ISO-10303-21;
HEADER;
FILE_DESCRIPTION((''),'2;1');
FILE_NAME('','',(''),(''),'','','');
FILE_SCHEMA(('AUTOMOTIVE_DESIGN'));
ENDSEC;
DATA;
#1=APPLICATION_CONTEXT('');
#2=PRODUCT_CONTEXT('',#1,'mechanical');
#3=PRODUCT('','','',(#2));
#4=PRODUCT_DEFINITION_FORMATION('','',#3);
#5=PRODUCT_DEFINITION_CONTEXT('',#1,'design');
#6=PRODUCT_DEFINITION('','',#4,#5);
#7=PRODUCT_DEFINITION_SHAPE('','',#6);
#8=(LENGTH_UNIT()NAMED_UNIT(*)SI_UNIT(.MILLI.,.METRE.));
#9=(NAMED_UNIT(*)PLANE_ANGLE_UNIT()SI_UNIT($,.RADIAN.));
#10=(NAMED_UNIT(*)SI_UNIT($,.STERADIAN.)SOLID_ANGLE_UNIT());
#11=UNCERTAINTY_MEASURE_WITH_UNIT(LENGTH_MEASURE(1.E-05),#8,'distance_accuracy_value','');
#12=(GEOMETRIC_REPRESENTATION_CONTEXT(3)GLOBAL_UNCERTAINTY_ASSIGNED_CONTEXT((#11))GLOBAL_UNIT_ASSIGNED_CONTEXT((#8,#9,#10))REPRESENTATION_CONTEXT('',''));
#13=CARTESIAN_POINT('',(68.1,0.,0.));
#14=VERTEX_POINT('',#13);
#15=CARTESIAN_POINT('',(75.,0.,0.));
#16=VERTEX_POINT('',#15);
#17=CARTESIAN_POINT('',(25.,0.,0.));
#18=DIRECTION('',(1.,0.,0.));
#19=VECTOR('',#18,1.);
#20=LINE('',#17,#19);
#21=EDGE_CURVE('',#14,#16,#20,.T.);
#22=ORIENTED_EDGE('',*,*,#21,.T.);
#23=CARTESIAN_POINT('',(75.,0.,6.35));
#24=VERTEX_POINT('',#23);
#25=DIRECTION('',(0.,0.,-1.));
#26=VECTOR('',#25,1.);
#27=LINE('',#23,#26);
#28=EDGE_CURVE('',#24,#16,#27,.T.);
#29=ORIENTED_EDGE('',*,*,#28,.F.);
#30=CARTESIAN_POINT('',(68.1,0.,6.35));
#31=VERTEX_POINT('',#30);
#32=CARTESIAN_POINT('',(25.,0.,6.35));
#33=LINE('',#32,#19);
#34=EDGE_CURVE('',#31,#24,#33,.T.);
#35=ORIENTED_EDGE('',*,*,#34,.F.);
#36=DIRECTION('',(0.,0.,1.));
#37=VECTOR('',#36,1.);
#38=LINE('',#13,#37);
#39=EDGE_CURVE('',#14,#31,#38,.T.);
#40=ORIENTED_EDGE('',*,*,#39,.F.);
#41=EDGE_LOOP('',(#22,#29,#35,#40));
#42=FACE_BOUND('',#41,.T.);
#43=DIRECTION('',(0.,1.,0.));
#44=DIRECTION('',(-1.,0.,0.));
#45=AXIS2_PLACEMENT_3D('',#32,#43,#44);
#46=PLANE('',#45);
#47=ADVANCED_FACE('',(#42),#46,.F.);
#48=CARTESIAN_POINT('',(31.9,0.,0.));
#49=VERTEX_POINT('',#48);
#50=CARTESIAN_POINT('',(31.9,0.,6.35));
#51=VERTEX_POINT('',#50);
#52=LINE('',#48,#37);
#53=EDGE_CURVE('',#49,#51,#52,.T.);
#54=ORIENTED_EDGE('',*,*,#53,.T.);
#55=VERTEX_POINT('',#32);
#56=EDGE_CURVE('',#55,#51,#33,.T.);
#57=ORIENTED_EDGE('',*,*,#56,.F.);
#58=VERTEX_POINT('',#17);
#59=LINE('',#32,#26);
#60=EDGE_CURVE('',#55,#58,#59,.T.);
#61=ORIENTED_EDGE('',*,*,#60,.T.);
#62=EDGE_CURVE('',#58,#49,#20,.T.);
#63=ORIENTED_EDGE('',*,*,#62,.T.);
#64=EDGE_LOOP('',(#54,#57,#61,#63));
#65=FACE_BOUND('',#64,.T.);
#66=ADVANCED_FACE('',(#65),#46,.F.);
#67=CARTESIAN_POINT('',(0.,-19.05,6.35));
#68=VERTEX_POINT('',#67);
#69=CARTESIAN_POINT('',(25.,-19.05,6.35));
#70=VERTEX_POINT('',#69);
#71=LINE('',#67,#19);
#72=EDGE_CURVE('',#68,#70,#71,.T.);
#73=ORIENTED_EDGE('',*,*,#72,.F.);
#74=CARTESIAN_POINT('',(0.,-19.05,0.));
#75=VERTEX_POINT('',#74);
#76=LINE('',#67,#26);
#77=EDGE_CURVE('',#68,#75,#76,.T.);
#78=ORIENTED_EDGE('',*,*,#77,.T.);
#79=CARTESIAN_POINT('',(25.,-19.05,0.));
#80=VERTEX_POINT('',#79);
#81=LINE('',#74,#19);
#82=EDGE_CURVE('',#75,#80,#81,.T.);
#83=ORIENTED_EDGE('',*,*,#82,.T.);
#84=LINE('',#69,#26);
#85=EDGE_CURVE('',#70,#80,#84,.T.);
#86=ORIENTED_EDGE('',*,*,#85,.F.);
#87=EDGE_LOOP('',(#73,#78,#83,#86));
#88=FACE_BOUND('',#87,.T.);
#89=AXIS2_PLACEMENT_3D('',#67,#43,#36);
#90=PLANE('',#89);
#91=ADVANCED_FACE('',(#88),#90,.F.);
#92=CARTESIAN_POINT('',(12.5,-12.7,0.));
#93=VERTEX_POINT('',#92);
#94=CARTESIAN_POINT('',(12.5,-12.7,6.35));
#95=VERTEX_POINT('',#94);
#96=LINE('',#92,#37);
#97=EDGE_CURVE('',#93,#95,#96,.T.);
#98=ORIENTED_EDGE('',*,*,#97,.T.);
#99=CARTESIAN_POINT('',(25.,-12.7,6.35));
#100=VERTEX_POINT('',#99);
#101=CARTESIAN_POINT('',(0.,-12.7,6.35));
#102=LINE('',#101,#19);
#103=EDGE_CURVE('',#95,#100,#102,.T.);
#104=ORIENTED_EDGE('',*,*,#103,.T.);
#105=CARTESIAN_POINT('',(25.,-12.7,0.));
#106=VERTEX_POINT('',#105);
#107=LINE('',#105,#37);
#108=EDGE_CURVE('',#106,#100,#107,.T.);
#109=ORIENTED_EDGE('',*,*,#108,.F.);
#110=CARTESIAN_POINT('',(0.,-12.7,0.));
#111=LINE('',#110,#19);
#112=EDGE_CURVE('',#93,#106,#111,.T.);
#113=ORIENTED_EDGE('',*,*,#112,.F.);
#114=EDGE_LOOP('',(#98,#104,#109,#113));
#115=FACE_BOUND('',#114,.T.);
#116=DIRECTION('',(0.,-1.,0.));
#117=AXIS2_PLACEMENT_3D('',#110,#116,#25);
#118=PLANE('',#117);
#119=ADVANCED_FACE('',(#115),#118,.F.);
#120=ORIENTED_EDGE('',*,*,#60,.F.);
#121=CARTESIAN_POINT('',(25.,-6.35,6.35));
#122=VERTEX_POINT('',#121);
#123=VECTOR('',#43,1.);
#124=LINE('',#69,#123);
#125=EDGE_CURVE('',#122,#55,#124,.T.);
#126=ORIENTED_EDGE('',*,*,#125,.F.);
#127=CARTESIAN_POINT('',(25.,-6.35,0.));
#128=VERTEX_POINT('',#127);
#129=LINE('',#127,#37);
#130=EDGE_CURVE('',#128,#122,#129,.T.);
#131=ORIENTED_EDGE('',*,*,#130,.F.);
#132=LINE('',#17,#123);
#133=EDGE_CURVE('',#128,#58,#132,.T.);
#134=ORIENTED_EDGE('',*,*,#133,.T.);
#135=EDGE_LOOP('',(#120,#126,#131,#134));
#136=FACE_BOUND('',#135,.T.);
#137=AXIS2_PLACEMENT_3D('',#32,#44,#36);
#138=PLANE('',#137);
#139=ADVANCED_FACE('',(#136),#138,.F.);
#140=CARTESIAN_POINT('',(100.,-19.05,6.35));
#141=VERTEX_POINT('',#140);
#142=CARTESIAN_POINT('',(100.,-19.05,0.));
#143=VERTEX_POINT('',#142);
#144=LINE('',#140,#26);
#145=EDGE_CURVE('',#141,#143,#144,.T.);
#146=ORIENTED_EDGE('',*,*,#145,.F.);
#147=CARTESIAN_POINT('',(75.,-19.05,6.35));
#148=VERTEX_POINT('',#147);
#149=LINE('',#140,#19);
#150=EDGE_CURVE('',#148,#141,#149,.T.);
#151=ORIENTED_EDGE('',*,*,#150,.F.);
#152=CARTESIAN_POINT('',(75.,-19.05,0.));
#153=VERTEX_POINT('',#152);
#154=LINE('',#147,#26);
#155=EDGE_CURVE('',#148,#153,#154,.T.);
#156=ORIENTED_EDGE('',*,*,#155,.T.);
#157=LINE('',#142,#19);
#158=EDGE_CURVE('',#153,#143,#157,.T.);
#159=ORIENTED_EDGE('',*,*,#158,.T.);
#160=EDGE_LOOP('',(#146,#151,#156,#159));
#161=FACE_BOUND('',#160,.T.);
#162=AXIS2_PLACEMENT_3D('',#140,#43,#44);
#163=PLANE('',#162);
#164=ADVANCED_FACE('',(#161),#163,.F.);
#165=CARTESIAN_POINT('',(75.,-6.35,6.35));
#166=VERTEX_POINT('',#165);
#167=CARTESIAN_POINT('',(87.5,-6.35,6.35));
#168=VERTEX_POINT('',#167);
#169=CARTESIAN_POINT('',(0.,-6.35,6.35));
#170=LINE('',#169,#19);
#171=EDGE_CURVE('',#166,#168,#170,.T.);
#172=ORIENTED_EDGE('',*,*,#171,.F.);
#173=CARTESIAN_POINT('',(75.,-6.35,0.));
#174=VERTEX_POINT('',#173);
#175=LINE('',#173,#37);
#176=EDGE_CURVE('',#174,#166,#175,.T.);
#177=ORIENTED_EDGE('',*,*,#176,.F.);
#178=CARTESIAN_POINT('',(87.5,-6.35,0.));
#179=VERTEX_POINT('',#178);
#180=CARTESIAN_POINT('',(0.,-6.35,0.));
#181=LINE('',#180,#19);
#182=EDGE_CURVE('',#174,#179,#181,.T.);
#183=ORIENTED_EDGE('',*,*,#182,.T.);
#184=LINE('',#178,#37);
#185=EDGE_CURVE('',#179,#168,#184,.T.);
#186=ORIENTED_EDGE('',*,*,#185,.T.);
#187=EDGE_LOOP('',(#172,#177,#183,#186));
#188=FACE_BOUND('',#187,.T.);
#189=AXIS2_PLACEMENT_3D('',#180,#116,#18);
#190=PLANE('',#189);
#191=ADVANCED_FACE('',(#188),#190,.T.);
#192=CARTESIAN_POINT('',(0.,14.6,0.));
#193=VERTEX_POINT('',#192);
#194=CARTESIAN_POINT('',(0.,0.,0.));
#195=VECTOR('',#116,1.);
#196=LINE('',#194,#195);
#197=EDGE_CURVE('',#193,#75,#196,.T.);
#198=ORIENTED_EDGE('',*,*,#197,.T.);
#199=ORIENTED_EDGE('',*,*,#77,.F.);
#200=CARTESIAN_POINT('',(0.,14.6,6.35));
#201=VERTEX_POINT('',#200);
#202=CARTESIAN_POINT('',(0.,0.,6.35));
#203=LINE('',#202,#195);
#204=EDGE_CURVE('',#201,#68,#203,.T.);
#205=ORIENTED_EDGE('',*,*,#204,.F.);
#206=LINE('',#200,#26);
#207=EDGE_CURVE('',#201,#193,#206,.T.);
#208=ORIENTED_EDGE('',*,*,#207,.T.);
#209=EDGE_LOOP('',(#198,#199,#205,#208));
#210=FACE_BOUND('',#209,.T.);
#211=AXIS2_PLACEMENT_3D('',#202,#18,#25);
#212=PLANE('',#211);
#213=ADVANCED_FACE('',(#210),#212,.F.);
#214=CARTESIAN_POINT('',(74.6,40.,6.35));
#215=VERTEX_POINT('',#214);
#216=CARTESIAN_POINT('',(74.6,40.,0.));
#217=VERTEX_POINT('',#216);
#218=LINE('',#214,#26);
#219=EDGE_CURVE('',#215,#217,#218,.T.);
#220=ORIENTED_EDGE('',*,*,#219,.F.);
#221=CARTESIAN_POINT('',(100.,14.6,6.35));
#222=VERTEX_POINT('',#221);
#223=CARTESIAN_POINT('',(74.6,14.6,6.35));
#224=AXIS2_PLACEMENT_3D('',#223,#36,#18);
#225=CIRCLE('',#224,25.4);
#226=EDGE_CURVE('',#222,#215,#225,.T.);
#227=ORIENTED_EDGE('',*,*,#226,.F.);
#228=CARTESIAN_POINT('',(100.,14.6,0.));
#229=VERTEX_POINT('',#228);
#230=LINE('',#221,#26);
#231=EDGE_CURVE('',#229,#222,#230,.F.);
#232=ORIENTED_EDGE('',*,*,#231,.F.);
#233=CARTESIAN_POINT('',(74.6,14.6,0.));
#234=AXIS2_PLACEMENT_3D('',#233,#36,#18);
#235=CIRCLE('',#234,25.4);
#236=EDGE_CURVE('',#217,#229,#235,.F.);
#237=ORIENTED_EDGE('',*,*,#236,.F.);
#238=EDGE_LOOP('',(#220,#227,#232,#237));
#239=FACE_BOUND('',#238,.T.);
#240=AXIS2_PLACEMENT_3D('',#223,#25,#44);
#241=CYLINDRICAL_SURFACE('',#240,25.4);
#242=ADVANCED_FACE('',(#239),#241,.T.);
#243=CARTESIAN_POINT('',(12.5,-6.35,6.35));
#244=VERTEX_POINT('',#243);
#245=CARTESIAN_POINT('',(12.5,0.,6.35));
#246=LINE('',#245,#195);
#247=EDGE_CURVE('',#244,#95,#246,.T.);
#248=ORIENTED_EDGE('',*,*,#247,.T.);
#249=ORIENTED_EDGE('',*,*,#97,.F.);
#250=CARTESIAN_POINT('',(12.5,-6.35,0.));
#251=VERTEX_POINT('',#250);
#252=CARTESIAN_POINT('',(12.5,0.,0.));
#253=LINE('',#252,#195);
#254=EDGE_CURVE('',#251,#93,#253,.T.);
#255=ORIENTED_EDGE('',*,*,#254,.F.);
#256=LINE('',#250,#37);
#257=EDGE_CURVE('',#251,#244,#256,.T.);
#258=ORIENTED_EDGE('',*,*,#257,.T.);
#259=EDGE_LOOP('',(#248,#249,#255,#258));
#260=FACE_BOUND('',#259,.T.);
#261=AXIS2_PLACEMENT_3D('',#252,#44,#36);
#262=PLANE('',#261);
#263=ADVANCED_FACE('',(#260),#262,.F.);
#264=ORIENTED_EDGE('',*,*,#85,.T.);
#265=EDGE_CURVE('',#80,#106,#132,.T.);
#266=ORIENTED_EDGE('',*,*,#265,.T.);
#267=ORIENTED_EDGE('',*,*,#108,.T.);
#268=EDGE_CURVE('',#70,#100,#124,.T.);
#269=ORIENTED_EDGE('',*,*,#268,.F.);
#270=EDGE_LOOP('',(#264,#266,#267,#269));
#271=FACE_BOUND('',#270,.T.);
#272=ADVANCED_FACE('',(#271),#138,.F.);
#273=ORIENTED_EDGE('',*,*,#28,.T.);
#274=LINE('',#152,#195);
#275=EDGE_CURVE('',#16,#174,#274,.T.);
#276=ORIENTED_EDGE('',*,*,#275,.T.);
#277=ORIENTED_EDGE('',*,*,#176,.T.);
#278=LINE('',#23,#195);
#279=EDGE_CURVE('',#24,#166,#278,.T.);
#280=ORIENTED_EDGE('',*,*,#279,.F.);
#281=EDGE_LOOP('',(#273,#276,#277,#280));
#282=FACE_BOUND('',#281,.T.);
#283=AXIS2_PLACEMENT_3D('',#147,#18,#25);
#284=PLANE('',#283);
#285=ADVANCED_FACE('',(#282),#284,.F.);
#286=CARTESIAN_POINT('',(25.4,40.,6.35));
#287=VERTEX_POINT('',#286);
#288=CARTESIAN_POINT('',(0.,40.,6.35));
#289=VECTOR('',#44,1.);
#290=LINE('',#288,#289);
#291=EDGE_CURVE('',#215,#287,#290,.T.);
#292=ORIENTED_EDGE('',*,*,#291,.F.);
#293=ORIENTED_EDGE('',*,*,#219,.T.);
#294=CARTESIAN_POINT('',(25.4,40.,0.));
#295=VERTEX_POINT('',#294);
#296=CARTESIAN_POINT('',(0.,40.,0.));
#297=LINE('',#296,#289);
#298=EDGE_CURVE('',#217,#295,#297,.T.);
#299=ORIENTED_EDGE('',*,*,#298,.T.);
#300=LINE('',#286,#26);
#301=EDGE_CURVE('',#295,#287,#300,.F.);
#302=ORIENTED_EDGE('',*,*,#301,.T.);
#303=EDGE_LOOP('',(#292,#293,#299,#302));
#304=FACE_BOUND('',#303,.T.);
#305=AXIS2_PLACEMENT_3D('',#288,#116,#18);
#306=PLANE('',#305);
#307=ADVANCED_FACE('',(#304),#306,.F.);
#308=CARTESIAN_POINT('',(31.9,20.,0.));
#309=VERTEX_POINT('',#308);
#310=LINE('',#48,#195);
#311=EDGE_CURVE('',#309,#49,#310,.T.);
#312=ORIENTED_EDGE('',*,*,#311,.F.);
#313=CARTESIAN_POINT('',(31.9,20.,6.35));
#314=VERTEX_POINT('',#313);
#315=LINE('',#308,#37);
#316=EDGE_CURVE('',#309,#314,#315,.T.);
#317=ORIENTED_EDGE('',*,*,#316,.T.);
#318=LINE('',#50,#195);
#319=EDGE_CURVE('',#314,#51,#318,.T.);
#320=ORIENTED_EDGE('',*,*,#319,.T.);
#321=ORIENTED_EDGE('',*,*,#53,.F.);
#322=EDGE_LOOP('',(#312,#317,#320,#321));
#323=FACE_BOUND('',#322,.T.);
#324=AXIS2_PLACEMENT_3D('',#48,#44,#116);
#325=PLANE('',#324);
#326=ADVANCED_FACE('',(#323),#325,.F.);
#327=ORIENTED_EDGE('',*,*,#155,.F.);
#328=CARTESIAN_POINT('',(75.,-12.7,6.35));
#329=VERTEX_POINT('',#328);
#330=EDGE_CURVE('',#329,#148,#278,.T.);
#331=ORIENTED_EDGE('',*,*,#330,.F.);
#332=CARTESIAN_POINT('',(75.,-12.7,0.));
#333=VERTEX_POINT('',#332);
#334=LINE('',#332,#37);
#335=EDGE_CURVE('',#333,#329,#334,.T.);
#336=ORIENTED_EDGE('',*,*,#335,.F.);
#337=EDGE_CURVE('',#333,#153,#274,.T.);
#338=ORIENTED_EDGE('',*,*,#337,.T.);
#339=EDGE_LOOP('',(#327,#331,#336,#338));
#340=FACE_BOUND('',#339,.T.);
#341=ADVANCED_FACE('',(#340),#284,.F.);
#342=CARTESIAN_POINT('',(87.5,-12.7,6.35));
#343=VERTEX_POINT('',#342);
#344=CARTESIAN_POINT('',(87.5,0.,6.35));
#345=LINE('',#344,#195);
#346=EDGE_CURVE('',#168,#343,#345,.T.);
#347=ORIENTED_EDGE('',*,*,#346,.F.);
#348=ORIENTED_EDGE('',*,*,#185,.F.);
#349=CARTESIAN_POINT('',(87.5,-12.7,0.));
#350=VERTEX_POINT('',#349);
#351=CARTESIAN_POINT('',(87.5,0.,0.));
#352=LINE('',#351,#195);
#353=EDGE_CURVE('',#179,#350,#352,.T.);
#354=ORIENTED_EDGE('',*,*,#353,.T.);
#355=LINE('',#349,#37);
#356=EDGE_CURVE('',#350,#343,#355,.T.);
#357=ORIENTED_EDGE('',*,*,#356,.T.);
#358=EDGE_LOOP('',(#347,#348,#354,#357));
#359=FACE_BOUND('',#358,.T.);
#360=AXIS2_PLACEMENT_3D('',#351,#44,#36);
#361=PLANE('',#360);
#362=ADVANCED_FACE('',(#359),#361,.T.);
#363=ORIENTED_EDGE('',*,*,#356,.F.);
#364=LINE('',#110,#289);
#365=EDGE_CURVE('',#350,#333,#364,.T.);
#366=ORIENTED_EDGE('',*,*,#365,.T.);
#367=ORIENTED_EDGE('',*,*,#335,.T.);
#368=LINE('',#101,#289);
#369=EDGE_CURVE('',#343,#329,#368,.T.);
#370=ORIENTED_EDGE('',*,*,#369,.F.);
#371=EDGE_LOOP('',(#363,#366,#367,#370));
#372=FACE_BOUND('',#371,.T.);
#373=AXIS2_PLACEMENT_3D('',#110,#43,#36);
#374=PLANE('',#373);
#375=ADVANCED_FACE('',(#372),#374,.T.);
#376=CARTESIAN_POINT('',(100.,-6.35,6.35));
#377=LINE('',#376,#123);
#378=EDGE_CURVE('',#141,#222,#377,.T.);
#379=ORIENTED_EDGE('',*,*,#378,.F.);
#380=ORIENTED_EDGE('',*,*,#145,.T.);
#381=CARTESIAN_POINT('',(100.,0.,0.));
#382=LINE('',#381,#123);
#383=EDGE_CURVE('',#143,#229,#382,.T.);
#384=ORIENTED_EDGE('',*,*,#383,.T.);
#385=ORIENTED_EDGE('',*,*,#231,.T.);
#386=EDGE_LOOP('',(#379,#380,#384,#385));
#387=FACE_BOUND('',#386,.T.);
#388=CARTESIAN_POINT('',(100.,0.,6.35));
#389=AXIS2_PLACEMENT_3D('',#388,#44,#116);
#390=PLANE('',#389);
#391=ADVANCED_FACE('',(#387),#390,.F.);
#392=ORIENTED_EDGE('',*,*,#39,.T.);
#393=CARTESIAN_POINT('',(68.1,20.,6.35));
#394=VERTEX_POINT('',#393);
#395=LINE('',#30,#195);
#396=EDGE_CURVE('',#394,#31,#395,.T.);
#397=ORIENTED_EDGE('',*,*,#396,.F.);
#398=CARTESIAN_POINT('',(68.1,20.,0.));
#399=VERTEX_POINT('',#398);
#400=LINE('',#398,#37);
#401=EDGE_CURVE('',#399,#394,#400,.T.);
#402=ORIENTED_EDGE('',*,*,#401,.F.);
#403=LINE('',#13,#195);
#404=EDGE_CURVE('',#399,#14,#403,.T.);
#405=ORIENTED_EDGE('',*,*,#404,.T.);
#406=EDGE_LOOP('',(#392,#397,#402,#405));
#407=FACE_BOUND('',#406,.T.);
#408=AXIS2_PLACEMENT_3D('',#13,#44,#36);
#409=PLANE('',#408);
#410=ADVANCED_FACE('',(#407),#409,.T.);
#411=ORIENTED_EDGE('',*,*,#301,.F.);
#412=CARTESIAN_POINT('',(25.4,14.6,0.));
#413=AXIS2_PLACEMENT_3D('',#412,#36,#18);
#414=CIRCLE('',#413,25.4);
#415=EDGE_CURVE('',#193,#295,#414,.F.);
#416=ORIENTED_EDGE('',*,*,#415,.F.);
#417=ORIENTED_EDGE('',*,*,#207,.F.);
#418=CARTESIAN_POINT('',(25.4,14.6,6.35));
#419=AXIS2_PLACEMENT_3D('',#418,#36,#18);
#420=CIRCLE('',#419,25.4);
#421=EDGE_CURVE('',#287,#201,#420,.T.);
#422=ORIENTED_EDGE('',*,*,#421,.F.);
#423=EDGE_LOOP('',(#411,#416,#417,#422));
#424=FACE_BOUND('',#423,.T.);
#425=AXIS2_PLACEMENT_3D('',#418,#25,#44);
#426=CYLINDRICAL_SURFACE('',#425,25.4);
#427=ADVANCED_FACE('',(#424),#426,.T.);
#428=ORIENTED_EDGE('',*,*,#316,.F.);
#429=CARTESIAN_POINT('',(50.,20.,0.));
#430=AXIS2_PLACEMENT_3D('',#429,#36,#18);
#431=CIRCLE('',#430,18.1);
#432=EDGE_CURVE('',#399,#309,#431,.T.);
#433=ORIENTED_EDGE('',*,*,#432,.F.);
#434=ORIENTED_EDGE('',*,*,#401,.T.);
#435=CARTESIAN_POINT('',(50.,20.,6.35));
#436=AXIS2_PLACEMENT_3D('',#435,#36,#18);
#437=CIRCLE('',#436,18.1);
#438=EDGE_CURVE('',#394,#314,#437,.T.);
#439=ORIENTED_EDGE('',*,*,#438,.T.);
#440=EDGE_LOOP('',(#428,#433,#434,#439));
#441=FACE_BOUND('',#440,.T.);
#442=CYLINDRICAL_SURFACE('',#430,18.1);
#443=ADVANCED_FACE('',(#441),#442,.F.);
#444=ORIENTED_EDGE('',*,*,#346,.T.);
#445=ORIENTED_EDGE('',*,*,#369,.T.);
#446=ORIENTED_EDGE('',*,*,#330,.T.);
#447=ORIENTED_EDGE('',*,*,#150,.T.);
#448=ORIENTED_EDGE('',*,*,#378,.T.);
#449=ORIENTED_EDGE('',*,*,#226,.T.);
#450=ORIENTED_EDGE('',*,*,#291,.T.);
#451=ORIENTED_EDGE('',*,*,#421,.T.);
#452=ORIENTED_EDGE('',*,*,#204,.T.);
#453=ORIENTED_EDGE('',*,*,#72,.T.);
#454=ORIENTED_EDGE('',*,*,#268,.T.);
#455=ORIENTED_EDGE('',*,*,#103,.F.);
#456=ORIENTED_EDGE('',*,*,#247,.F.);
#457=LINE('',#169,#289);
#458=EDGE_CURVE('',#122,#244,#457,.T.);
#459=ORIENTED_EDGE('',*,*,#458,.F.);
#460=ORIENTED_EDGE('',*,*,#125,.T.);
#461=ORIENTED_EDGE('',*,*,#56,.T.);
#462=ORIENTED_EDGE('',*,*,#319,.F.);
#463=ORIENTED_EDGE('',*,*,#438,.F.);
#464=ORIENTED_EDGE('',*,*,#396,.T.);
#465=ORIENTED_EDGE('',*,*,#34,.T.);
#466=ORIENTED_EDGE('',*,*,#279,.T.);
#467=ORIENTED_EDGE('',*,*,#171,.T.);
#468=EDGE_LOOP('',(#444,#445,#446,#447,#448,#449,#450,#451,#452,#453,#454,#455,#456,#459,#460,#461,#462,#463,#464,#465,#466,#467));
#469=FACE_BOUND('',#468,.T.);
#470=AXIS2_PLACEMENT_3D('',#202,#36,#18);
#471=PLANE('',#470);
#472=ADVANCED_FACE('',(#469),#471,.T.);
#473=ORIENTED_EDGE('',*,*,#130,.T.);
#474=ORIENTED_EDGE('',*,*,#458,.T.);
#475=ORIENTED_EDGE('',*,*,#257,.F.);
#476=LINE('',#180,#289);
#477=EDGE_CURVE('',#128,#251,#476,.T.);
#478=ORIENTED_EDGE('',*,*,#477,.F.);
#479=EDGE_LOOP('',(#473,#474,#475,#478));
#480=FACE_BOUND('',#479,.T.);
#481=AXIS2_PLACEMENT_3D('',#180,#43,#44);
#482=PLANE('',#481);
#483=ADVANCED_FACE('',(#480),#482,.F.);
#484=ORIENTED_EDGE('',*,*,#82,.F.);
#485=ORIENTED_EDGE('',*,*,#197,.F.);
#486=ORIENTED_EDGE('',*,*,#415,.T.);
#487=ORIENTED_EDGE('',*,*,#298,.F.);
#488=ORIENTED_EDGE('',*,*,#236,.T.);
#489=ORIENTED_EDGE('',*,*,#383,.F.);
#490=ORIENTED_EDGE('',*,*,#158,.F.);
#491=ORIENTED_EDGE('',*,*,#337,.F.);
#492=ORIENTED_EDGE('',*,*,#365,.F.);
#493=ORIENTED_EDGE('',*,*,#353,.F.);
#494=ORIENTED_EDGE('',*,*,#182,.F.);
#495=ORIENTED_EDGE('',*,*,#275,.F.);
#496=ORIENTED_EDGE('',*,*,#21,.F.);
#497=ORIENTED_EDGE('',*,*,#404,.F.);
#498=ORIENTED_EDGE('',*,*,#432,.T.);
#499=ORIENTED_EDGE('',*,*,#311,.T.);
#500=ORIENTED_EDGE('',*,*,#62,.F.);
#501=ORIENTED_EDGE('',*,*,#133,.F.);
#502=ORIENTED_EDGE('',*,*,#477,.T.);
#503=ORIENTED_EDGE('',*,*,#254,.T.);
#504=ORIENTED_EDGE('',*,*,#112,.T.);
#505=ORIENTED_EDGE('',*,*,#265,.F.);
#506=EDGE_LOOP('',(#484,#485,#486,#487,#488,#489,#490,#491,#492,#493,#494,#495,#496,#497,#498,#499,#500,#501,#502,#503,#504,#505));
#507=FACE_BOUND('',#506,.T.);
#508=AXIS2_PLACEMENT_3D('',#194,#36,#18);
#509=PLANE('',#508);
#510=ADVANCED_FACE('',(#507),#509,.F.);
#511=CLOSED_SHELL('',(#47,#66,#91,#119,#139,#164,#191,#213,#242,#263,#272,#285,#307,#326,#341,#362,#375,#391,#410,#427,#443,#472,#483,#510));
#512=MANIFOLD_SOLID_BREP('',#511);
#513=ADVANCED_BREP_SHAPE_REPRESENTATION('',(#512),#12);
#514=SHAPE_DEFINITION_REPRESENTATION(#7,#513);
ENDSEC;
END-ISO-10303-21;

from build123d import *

# Parameters (mm, degrees)
BOSS_EXTRUDE1_DEPTH     = 6.35
CUT_EXTRUDE1_DEPTH      = 108.890326167
CUT_EXTRUDE1_DEPTH_BACK = 108.890326167
FILLET1_R               = 25.4
CUT_EXTRUDE2_DEPTH      = 108.890326167
CUT_EXTRUDE2_DEPTH_BACK = 108.890326167
SKETCH4_W               = 12.499999987
SKETCH4_H               = 6.35


with BuildPart() as part:
    # Sketch1 → Boss-Extrude1 (new body)
    with BuildSketch(Plane.XY):
        Polygon((24.999999974, 0), (74.999999923, 0), (74.999999923, -6.35), (74.999999923, -19.05), (99.999999898, -19.05), (99.999999898, -6.35), (99.999999898, 0), (99.999999898, 40.00000001), (0, 40.00000001), (0, 0), (0, -6.35), (0, -19.05), (24.999999974, -19.05), (24.999999974, -6.35), align=None)
    extrude(amount=BOSS_EXTRUDE1_DEPTH)

    # Sketch2 → Cut-Extrude1 (cut, two sides: drawn at the far end of the back side and taken through both)
    with BuildSketch(Plane.XY.offset(6.35).offset(-CUT_EXTRUDE1_DEPTH_BACK)):
        with BuildLine():
            ThreePointArc((68.099999944, 20.000000005), (49.999999949, 38.1), (31.899999954, 20.000000005))
            Line((31.899999954, 20.000000005), (31.899999954, 0))
            Line((31.899999954, 0), (68.099999944, 0))
            Line((68.099999944, 0), (68.099999944, 20.000000005))
        make_face()
    extrude(amount=CUT_EXTRUDE1_DEPTH + CUT_EXTRUDE1_DEPTH_BACK, mode=Mode.SUBTRACT)

    # Fillet1
    fillet1_edges = [part.edges().sort_by_distance(p)[0] for p in [
        (0, 40.00000001, 3.175),
        (99.999999898, 40.00000001, 3.175),
    ]]
    fillet(fillet1_edges, radius=FILLET1_R)

    # Sketch4 → Cut-Extrude2 (cut, two sides: drawn at the far end of the back side and taken through both)
    with BuildSketch(Plane.XY.offset(6.35).offset(-CUT_EXTRUDE2_DEPTH_BACK)):
        with Locations((18.749999981, -9.525)):
            Rectangle(SKETCH4_W, SKETCH4_H)
        with Locations((81.249999918, -9.525)):
            Rectangle(SKETCH4_W, SKETCH4_H)
    extrude(amount=CUT_EXTRUDE2_DEPTH + CUT_EXTRUDE2_DEPTH_BACK, mode=Mode.SUBTRACT)


solid = part.part
